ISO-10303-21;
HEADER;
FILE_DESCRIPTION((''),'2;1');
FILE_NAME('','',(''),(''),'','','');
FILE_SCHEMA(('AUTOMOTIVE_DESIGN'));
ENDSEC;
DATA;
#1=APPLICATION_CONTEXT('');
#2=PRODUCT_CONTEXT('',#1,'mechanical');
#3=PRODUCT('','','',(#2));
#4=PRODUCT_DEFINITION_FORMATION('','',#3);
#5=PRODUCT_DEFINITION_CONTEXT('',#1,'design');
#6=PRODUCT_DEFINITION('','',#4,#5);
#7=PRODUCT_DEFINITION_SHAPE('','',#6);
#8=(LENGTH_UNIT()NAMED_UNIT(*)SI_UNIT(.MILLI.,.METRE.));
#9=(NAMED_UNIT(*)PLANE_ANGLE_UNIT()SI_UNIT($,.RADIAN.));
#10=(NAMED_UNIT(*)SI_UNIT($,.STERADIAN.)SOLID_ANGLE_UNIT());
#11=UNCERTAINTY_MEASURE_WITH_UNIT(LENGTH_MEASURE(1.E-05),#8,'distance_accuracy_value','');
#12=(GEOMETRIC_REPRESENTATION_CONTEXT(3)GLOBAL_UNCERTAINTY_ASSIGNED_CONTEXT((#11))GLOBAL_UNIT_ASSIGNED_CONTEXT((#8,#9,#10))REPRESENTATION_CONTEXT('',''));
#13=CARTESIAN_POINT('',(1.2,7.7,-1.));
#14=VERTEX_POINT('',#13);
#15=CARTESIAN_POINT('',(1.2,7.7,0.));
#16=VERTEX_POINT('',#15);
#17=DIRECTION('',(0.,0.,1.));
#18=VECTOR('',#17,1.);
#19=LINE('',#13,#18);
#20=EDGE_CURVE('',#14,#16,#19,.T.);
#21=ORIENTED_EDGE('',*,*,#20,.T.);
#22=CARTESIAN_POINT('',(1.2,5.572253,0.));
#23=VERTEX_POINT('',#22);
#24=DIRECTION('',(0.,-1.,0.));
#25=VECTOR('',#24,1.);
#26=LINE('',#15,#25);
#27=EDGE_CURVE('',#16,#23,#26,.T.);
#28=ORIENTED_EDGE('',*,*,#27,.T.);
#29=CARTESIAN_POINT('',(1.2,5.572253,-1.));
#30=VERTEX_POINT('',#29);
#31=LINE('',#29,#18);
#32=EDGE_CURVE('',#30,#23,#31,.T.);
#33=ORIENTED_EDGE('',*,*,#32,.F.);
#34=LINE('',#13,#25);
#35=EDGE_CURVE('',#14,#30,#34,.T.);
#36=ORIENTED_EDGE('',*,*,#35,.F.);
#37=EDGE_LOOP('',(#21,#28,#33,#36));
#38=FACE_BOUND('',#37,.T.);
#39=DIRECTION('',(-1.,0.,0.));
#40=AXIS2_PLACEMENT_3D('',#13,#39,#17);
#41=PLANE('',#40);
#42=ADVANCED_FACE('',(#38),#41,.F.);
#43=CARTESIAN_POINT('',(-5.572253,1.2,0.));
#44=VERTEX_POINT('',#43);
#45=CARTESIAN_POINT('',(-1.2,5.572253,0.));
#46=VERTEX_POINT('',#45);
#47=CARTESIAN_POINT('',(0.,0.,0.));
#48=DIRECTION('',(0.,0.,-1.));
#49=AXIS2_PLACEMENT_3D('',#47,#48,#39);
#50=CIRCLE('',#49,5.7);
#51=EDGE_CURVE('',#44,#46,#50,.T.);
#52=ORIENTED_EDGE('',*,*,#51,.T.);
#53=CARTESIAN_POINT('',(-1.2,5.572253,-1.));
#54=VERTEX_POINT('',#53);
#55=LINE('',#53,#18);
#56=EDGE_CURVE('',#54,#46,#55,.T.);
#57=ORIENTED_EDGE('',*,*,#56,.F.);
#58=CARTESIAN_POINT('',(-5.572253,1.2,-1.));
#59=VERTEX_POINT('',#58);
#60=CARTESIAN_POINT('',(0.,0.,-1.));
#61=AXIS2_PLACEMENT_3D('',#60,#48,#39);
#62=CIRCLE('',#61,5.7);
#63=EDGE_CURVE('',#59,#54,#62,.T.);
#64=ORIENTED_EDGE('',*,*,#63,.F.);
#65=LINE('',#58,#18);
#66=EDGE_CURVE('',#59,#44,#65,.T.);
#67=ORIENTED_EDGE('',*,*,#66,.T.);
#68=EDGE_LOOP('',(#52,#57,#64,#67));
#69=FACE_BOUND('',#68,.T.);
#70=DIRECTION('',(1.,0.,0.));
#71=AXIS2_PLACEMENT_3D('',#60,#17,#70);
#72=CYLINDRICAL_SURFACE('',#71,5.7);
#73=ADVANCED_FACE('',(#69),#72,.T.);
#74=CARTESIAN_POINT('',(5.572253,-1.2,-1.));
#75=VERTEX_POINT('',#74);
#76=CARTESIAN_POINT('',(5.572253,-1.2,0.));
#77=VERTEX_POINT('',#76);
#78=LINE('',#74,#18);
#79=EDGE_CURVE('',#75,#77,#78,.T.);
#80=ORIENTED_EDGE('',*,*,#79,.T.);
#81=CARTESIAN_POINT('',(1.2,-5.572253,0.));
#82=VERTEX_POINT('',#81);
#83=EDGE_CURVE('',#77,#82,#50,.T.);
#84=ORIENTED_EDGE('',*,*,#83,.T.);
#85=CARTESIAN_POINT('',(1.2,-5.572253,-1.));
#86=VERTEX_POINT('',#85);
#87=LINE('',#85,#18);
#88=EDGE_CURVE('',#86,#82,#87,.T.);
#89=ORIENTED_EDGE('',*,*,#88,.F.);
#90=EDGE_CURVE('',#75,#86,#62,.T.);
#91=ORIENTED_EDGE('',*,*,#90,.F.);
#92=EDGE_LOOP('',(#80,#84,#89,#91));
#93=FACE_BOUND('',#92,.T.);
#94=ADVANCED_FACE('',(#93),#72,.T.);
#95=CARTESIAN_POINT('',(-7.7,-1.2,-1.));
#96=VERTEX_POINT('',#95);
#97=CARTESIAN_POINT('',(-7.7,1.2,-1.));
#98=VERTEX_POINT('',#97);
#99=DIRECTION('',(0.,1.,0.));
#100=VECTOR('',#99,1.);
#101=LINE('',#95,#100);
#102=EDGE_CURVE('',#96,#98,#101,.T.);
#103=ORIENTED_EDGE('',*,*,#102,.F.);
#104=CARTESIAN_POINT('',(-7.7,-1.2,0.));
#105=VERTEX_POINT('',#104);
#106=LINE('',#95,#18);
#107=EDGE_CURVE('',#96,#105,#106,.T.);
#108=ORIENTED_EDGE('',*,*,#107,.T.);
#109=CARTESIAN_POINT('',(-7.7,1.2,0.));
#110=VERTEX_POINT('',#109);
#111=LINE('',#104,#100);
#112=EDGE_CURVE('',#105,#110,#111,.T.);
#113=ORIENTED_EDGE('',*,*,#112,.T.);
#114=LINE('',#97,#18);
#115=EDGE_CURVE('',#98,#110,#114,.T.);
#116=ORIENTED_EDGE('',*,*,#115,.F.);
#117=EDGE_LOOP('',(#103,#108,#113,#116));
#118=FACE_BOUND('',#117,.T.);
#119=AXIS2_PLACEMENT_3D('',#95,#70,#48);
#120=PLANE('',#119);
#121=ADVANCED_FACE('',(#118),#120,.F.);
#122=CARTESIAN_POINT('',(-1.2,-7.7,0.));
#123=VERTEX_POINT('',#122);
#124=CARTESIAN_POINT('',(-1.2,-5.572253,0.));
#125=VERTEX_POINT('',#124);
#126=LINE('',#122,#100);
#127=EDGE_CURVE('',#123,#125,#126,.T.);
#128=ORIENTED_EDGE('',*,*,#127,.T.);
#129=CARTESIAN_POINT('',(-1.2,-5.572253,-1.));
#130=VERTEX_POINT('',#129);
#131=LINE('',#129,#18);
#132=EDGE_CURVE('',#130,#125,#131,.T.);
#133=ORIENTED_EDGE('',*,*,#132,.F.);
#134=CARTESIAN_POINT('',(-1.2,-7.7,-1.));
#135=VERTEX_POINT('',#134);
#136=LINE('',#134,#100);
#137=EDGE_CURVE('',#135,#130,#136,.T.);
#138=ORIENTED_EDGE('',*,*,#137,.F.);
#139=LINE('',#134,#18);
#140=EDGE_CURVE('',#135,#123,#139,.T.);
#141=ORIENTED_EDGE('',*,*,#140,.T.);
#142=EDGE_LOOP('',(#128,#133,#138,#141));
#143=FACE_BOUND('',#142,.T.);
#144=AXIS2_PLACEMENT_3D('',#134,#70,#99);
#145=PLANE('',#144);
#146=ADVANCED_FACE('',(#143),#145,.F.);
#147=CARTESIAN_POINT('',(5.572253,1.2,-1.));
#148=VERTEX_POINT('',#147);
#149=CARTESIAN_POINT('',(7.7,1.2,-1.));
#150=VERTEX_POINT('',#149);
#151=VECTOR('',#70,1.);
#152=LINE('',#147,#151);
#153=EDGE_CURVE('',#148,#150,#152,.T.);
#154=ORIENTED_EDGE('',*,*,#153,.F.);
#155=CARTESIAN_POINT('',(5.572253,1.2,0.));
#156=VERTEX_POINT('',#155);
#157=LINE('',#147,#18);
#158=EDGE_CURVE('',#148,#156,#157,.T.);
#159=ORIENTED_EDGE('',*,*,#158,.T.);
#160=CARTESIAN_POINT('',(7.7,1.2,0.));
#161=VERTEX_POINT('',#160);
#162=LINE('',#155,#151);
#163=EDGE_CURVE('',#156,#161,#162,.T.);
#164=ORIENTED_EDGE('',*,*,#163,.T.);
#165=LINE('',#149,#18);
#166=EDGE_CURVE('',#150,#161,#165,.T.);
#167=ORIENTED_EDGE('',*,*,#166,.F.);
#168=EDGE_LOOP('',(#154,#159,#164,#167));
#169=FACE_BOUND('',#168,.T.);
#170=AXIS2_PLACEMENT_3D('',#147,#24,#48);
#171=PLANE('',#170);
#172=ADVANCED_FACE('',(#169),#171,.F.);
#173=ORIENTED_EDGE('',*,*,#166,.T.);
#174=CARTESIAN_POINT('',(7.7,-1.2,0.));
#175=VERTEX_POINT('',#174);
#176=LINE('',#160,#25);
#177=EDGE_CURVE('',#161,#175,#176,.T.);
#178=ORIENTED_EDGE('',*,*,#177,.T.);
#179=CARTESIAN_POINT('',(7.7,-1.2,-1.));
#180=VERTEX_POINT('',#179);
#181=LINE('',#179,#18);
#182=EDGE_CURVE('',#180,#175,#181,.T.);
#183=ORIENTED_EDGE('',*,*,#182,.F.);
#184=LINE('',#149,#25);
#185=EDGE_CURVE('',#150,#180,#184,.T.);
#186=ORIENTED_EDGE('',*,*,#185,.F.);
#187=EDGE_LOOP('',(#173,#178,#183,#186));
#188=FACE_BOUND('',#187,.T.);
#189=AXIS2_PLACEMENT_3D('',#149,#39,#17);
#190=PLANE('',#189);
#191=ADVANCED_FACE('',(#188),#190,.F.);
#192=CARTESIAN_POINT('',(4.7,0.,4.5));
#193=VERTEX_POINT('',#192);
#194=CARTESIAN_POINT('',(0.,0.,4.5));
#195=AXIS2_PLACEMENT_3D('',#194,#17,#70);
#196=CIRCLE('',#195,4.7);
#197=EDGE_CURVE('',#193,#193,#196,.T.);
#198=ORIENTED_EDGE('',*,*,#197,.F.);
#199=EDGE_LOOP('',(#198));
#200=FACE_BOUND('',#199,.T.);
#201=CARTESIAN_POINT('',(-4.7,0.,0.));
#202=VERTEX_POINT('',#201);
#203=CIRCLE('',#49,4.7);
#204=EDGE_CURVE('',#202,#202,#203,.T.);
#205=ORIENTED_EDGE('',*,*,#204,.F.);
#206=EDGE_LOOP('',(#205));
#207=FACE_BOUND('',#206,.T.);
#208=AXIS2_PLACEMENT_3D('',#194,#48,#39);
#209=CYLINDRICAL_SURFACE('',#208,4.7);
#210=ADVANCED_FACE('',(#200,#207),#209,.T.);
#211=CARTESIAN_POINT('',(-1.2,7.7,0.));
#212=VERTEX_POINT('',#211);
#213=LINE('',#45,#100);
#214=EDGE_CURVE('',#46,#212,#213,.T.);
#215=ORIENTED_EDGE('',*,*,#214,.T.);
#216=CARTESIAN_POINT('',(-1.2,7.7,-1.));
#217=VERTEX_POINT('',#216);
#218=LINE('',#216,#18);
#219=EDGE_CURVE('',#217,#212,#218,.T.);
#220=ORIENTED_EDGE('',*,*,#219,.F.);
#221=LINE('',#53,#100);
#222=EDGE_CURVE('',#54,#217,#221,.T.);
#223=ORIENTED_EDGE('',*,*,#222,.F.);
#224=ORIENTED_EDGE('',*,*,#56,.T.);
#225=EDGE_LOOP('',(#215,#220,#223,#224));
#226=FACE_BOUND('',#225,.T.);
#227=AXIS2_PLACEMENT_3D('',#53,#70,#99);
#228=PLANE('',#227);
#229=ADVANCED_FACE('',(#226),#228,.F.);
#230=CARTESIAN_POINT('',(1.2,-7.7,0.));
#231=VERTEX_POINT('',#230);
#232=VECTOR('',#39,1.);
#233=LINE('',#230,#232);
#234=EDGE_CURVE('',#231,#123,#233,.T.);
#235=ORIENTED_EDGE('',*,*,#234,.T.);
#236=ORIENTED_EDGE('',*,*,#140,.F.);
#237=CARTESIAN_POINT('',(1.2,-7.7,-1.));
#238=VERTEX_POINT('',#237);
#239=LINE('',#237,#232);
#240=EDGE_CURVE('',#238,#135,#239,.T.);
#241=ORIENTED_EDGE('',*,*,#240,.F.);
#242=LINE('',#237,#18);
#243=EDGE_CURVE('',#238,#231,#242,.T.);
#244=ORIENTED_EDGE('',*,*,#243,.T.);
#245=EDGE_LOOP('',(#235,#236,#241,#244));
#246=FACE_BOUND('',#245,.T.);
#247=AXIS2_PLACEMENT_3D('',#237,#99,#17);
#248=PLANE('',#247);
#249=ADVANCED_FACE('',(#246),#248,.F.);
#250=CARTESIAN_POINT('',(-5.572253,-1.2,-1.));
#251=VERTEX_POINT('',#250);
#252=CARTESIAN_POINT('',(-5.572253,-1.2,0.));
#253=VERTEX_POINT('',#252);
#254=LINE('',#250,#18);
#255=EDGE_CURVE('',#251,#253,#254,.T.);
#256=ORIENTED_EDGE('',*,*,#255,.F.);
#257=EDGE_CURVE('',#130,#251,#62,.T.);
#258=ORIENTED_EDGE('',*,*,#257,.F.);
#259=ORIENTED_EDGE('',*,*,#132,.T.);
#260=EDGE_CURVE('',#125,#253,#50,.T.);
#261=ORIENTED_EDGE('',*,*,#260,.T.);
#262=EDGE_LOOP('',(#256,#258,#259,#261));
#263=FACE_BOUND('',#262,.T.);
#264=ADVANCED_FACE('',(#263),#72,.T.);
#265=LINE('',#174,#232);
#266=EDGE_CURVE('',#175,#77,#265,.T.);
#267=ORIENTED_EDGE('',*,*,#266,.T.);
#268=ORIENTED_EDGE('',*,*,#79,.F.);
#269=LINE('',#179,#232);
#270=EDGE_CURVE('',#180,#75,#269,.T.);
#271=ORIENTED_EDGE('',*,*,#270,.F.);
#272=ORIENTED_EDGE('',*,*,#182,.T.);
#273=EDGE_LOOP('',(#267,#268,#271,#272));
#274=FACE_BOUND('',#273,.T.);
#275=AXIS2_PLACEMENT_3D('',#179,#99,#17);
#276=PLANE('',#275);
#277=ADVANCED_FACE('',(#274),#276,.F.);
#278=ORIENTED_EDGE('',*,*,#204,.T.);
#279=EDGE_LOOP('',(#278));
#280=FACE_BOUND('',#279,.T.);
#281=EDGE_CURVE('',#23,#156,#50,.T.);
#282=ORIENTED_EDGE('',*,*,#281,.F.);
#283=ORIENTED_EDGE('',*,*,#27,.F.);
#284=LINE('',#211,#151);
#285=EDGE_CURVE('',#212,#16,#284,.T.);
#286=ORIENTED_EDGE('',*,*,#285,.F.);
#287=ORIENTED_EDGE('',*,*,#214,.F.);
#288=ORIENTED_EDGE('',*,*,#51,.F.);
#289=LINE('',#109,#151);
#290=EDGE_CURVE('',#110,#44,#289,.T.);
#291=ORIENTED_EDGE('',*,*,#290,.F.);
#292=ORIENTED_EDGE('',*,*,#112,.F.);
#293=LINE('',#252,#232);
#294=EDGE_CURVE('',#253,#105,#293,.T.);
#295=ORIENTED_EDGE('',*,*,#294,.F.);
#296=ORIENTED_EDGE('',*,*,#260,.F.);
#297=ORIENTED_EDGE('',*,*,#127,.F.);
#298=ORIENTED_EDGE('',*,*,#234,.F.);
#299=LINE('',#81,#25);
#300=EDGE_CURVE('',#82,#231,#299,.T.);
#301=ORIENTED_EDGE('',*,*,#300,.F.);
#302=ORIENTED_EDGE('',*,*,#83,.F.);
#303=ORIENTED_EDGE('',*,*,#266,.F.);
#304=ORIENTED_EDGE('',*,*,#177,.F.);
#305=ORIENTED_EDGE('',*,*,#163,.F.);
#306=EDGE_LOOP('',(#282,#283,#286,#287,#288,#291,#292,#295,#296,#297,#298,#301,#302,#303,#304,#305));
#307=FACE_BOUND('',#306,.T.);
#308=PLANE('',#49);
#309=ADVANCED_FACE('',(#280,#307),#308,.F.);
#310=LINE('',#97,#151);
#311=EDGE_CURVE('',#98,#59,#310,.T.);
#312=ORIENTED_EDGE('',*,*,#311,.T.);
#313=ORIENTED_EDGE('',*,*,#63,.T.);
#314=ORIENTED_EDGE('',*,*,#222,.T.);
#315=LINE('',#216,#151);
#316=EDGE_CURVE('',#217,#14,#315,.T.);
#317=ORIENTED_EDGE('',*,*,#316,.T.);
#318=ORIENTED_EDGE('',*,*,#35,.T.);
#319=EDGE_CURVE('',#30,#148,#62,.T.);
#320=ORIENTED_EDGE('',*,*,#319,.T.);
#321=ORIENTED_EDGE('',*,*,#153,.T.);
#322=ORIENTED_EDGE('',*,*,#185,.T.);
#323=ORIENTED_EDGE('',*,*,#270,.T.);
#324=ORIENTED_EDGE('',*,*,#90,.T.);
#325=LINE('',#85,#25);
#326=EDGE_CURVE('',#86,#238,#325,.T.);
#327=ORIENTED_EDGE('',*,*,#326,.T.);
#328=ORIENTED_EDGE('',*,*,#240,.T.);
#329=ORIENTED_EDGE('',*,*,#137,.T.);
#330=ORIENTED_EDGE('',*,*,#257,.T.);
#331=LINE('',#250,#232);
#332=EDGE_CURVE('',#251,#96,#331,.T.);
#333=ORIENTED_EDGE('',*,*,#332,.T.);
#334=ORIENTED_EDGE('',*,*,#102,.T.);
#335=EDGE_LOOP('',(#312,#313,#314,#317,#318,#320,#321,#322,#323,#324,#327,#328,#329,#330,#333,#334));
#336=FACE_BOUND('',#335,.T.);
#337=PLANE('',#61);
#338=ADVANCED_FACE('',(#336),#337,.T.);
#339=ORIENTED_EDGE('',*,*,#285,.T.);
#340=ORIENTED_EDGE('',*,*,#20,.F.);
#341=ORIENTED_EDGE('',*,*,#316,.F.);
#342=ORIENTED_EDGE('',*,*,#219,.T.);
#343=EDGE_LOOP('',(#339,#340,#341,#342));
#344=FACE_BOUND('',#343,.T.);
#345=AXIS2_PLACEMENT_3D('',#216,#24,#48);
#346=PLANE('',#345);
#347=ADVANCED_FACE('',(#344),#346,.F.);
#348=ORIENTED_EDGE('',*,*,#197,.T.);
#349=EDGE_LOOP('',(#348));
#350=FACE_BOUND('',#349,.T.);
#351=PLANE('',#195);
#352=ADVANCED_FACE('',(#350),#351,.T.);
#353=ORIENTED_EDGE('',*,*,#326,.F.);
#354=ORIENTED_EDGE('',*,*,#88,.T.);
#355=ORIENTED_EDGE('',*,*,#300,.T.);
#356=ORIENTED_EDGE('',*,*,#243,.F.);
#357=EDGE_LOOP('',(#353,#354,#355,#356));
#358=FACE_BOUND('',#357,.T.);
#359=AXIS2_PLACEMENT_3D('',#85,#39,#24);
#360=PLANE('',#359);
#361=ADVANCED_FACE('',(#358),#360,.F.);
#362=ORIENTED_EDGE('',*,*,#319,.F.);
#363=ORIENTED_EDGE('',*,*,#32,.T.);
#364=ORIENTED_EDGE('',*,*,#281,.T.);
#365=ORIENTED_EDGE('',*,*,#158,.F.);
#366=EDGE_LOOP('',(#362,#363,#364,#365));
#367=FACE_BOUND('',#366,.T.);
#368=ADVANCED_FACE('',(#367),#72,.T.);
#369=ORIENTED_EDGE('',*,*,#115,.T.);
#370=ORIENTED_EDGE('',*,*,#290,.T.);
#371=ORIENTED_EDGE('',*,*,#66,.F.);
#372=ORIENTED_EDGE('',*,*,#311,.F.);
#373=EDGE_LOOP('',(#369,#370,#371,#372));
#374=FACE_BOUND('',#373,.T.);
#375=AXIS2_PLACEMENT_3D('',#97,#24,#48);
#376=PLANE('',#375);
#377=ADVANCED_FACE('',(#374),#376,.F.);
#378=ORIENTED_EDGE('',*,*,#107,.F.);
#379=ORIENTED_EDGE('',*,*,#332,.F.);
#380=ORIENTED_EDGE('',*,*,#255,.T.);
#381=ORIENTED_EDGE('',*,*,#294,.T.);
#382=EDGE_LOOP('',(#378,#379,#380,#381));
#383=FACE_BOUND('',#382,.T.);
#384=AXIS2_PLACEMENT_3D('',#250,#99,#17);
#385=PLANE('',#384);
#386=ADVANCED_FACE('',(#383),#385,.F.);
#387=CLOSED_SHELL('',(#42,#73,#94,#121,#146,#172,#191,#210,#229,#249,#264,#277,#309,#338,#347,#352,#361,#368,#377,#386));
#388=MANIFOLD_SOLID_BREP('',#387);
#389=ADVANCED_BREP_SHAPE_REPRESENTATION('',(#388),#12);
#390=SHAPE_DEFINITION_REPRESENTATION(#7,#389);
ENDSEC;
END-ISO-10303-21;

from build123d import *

# Parameters (mm, degrees)
SKETCH1_R           = 4.7
BOSS_EXTRUDE1_DEPTH = 4.5
BOSS_EXTRUDE2_DEPTH = 1


with BuildPart() as part:
    # Sketch1 → Boss-Extrude1 (new body)
    with BuildSketch(Plane.XY):
        Circle(SKETCH1_R)
    extrude(amount=BOSS_EXTRUDE1_DEPTH)

    # Sketch2 → Boss-Extrude2 (add)
    with BuildSketch(Plane(origin=(0, 0, 0), x_dir=(-1, 0, 0), z_dir=(0, 0, -1))):
        with BuildLine():
            Line((-5.572252686, 1.2), (-7.7, 1.2))
            Line((-7.7, 1.2), (-7.7, -1.2))
            Line((-7.7, -1.2), (-5.572252686, -1.2))
            ThreePointArc((-5.572252686, -1.2), (-4.030508653, -4.030508653), (-1.2, -5.572252686))
            Line((-1.2, -5.572252686), (-1.2, -7.7))
            Line((-1.2, -7.7), (1.2, -7.7))
            Line((1.2, -7.7), (1.2, -5.572252686))
            ThreePointArc((1.2, -5.572252686), (4.030508653, -4.030508653), (5.572252686, -1.2))
            Line((5.572252686, -1.2), (7.7, -1.2))
            Line((7.7, -1.2), (7.7, 1.2))
            Line((7.7, 1.2), (5.572252686, 1.2))
            ThreePointArc((5.572252686, 1.2), (4.030508653, 4.030508653), (1.2, 5.572252686))
            Line((1.2, 5.572252686), (1.2, 7.7))
            Line((1.2, 7.7), (-1.2, 7.7))
            Line((-1.2, 7.7), (-1.2, 5.572252686))
            ThreePointArc((-1.2, 5.572252686), (-4.030508653, 4.030508653), (-5.572252686, 1.2))
        make_face()
    extrude(amount=BOSS_EXTRUDE2_DEPTH)


solid = part.part
